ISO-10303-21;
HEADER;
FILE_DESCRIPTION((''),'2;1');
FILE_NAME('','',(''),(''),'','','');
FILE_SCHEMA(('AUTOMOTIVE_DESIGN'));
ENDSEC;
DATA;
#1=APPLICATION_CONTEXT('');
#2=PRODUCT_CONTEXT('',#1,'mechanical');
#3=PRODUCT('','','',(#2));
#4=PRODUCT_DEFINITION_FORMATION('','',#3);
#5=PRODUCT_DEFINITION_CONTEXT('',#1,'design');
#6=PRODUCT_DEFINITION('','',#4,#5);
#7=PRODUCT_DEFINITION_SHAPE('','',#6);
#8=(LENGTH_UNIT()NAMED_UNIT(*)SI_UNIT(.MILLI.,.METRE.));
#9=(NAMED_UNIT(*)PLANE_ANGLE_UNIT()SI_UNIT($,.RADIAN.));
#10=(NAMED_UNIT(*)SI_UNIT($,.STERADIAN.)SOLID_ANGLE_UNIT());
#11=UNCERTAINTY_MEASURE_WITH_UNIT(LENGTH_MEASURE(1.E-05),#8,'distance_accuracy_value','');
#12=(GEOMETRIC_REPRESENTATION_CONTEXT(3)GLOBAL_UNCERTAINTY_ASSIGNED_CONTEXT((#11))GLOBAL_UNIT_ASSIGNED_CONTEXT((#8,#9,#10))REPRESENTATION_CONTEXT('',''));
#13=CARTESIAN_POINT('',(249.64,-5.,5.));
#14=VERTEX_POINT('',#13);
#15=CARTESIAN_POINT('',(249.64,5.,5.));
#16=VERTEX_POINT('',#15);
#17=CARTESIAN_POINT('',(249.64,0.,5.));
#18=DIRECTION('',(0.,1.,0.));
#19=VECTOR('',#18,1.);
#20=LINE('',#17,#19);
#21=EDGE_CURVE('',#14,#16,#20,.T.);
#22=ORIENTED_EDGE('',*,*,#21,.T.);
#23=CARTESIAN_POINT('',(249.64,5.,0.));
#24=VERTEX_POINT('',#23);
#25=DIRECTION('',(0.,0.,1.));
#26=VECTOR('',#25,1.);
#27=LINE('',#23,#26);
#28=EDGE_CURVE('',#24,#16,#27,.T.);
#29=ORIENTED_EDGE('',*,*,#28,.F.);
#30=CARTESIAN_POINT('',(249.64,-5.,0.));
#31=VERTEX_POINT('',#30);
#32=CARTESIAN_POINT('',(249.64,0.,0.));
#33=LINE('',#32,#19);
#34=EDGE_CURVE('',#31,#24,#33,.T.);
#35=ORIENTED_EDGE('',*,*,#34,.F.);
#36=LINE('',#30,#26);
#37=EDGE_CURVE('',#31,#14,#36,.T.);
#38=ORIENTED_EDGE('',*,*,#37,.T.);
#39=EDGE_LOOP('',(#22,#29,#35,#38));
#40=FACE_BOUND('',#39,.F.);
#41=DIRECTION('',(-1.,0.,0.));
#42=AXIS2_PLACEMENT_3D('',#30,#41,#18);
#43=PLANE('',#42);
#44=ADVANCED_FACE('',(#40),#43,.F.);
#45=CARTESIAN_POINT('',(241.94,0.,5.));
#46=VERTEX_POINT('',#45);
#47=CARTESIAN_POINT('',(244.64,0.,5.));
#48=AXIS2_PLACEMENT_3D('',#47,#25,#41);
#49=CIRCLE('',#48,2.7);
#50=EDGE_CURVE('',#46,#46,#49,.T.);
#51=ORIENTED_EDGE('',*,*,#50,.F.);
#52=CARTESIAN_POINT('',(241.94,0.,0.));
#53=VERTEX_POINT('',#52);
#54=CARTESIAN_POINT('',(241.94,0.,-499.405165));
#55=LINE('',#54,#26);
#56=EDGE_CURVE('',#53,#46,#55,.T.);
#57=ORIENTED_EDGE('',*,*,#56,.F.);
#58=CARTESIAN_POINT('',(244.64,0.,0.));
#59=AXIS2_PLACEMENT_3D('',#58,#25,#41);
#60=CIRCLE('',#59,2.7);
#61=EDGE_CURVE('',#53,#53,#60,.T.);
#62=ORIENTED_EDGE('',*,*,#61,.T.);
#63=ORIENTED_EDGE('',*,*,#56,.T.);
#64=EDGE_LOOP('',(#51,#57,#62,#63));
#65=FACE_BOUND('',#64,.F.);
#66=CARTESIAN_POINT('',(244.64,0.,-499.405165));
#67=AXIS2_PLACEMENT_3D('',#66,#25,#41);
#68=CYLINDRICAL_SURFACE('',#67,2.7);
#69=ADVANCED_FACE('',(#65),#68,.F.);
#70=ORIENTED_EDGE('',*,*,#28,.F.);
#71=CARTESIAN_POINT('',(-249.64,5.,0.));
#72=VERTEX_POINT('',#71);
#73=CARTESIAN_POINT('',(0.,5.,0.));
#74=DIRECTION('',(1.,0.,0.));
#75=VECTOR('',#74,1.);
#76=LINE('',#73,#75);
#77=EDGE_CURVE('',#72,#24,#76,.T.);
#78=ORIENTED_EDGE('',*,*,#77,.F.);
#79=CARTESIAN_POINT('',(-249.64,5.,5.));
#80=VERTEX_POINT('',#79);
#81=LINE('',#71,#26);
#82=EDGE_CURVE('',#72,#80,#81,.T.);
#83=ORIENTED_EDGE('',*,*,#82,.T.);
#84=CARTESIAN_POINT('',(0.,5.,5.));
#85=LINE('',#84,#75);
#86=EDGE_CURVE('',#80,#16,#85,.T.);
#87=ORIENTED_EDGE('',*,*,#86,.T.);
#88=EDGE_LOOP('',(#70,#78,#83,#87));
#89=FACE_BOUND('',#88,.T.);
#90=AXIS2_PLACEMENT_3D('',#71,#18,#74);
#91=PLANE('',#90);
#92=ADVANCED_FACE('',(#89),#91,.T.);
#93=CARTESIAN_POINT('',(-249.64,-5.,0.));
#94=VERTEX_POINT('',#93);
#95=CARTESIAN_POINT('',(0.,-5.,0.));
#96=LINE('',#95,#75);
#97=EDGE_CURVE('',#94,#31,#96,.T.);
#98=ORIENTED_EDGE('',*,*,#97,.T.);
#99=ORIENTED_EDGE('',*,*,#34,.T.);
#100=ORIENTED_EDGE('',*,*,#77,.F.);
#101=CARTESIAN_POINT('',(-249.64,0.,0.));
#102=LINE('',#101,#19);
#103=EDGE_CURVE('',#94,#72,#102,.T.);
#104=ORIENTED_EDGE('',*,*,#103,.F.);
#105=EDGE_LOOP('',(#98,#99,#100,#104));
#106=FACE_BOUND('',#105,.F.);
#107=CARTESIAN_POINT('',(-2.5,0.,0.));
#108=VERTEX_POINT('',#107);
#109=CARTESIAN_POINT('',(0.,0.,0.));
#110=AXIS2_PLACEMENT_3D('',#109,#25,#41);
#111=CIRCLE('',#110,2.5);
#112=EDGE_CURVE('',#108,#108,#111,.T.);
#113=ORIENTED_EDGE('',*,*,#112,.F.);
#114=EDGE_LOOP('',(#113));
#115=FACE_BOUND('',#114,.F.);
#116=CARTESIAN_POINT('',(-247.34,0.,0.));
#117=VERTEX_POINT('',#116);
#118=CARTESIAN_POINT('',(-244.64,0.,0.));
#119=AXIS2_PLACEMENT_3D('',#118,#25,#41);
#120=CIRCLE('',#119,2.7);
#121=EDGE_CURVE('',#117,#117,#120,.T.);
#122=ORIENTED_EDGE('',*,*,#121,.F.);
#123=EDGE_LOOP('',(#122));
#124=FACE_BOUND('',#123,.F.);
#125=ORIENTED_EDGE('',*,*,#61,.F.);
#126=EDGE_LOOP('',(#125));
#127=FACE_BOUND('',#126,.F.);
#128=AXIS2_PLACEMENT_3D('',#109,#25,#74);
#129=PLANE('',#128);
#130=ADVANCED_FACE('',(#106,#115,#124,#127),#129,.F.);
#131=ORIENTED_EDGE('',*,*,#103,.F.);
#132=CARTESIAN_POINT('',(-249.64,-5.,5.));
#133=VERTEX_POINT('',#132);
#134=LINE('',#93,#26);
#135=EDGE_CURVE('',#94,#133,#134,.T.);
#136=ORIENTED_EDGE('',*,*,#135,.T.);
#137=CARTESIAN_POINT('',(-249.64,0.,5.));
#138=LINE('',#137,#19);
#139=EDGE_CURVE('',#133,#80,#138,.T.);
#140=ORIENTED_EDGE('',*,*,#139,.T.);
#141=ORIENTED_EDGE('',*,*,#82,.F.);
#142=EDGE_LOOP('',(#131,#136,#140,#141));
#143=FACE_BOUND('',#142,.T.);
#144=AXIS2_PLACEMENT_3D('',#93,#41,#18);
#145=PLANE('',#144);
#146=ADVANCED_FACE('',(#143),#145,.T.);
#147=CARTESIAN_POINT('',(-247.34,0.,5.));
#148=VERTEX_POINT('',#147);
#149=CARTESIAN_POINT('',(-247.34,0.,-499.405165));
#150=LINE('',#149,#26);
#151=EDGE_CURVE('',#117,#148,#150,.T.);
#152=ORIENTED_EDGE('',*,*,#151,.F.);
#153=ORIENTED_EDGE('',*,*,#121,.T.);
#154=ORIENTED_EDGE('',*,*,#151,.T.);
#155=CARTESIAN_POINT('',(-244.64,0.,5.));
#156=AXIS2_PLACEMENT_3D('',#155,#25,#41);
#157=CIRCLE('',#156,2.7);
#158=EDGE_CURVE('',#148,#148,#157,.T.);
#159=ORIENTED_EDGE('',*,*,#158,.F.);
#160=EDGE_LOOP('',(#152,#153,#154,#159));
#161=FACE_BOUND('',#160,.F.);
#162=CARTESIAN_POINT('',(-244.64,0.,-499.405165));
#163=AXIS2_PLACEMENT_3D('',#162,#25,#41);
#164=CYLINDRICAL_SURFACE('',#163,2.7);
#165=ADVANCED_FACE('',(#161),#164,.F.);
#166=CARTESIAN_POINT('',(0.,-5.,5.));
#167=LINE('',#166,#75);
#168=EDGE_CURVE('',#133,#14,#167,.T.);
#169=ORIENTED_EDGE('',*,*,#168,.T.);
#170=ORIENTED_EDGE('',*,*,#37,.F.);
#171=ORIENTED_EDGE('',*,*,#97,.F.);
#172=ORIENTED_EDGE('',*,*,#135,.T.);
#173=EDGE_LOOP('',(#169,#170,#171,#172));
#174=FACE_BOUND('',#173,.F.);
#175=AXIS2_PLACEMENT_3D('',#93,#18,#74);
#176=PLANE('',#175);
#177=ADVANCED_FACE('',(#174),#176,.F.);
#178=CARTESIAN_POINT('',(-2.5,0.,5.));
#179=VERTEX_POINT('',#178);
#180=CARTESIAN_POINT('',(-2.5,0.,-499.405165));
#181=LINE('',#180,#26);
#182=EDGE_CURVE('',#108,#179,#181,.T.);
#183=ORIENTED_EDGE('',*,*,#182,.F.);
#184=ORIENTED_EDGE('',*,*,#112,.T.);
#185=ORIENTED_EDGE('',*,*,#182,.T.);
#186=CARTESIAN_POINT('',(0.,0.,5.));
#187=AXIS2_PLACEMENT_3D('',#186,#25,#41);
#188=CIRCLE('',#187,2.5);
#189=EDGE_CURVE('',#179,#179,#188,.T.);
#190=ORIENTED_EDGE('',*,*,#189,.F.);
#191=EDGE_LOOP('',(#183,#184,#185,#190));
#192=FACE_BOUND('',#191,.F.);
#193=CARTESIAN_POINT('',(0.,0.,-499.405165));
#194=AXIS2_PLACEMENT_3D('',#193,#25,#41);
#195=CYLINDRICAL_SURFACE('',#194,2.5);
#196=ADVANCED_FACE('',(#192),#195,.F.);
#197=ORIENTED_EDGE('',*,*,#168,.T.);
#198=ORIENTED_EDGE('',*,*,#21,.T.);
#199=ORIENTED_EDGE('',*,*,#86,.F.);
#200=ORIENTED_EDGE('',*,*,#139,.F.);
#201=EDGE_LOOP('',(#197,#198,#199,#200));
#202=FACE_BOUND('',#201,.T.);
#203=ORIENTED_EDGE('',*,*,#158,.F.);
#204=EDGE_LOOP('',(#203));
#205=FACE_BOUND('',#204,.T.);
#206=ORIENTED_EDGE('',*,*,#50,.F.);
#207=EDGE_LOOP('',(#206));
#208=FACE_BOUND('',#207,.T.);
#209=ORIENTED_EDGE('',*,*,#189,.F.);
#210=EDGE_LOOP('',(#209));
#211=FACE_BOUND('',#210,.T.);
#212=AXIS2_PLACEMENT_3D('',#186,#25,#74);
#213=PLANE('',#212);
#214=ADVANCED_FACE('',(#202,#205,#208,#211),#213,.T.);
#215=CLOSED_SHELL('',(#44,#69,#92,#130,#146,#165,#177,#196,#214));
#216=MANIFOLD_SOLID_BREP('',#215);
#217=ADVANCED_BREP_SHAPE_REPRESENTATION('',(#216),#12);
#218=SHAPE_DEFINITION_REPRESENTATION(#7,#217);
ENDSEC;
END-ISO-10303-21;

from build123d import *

# Parameters (mm, degrees)
F0_W     = 499.28
F0_H     = 10
F1_DEPTH = 5
F2_D     = 5.4
F3_D     = 5
F4_D     = 5.4


with BuildPart() as f1:
    # F0 (on Top) → F1 (new body)
    with BuildSketch(Plane.XY):
        Rectangle(F0_W, F0_H)
    extrude(amount=F1_DEPTH)

    # F2 (through all)
    with Locations(Plane(origin=(0, 0, 0), x_dir=(1, 0, 0), z_dir=(0, 0, -1))):
        with Locations((-244.64, 0)):
            Hole(F2_D / 2)

    # F3 (through all)
    with Locations(Plane(origin=(0, 0, 0), x_dir=(1, 0, 0), z_dir=(0, 0, -1))):
        with Locations((0, 0)):
            Hole(F3_D / 2)

    # F4 (through all)
    with Locations(Plane(origin=(0, 0, 0), x_dir=(1, 0, 0), z_dir=(0, 0, -1))):
        with Locations((244.64, 0)):
            Hole(F4_D / 2)


solid = f1.part
